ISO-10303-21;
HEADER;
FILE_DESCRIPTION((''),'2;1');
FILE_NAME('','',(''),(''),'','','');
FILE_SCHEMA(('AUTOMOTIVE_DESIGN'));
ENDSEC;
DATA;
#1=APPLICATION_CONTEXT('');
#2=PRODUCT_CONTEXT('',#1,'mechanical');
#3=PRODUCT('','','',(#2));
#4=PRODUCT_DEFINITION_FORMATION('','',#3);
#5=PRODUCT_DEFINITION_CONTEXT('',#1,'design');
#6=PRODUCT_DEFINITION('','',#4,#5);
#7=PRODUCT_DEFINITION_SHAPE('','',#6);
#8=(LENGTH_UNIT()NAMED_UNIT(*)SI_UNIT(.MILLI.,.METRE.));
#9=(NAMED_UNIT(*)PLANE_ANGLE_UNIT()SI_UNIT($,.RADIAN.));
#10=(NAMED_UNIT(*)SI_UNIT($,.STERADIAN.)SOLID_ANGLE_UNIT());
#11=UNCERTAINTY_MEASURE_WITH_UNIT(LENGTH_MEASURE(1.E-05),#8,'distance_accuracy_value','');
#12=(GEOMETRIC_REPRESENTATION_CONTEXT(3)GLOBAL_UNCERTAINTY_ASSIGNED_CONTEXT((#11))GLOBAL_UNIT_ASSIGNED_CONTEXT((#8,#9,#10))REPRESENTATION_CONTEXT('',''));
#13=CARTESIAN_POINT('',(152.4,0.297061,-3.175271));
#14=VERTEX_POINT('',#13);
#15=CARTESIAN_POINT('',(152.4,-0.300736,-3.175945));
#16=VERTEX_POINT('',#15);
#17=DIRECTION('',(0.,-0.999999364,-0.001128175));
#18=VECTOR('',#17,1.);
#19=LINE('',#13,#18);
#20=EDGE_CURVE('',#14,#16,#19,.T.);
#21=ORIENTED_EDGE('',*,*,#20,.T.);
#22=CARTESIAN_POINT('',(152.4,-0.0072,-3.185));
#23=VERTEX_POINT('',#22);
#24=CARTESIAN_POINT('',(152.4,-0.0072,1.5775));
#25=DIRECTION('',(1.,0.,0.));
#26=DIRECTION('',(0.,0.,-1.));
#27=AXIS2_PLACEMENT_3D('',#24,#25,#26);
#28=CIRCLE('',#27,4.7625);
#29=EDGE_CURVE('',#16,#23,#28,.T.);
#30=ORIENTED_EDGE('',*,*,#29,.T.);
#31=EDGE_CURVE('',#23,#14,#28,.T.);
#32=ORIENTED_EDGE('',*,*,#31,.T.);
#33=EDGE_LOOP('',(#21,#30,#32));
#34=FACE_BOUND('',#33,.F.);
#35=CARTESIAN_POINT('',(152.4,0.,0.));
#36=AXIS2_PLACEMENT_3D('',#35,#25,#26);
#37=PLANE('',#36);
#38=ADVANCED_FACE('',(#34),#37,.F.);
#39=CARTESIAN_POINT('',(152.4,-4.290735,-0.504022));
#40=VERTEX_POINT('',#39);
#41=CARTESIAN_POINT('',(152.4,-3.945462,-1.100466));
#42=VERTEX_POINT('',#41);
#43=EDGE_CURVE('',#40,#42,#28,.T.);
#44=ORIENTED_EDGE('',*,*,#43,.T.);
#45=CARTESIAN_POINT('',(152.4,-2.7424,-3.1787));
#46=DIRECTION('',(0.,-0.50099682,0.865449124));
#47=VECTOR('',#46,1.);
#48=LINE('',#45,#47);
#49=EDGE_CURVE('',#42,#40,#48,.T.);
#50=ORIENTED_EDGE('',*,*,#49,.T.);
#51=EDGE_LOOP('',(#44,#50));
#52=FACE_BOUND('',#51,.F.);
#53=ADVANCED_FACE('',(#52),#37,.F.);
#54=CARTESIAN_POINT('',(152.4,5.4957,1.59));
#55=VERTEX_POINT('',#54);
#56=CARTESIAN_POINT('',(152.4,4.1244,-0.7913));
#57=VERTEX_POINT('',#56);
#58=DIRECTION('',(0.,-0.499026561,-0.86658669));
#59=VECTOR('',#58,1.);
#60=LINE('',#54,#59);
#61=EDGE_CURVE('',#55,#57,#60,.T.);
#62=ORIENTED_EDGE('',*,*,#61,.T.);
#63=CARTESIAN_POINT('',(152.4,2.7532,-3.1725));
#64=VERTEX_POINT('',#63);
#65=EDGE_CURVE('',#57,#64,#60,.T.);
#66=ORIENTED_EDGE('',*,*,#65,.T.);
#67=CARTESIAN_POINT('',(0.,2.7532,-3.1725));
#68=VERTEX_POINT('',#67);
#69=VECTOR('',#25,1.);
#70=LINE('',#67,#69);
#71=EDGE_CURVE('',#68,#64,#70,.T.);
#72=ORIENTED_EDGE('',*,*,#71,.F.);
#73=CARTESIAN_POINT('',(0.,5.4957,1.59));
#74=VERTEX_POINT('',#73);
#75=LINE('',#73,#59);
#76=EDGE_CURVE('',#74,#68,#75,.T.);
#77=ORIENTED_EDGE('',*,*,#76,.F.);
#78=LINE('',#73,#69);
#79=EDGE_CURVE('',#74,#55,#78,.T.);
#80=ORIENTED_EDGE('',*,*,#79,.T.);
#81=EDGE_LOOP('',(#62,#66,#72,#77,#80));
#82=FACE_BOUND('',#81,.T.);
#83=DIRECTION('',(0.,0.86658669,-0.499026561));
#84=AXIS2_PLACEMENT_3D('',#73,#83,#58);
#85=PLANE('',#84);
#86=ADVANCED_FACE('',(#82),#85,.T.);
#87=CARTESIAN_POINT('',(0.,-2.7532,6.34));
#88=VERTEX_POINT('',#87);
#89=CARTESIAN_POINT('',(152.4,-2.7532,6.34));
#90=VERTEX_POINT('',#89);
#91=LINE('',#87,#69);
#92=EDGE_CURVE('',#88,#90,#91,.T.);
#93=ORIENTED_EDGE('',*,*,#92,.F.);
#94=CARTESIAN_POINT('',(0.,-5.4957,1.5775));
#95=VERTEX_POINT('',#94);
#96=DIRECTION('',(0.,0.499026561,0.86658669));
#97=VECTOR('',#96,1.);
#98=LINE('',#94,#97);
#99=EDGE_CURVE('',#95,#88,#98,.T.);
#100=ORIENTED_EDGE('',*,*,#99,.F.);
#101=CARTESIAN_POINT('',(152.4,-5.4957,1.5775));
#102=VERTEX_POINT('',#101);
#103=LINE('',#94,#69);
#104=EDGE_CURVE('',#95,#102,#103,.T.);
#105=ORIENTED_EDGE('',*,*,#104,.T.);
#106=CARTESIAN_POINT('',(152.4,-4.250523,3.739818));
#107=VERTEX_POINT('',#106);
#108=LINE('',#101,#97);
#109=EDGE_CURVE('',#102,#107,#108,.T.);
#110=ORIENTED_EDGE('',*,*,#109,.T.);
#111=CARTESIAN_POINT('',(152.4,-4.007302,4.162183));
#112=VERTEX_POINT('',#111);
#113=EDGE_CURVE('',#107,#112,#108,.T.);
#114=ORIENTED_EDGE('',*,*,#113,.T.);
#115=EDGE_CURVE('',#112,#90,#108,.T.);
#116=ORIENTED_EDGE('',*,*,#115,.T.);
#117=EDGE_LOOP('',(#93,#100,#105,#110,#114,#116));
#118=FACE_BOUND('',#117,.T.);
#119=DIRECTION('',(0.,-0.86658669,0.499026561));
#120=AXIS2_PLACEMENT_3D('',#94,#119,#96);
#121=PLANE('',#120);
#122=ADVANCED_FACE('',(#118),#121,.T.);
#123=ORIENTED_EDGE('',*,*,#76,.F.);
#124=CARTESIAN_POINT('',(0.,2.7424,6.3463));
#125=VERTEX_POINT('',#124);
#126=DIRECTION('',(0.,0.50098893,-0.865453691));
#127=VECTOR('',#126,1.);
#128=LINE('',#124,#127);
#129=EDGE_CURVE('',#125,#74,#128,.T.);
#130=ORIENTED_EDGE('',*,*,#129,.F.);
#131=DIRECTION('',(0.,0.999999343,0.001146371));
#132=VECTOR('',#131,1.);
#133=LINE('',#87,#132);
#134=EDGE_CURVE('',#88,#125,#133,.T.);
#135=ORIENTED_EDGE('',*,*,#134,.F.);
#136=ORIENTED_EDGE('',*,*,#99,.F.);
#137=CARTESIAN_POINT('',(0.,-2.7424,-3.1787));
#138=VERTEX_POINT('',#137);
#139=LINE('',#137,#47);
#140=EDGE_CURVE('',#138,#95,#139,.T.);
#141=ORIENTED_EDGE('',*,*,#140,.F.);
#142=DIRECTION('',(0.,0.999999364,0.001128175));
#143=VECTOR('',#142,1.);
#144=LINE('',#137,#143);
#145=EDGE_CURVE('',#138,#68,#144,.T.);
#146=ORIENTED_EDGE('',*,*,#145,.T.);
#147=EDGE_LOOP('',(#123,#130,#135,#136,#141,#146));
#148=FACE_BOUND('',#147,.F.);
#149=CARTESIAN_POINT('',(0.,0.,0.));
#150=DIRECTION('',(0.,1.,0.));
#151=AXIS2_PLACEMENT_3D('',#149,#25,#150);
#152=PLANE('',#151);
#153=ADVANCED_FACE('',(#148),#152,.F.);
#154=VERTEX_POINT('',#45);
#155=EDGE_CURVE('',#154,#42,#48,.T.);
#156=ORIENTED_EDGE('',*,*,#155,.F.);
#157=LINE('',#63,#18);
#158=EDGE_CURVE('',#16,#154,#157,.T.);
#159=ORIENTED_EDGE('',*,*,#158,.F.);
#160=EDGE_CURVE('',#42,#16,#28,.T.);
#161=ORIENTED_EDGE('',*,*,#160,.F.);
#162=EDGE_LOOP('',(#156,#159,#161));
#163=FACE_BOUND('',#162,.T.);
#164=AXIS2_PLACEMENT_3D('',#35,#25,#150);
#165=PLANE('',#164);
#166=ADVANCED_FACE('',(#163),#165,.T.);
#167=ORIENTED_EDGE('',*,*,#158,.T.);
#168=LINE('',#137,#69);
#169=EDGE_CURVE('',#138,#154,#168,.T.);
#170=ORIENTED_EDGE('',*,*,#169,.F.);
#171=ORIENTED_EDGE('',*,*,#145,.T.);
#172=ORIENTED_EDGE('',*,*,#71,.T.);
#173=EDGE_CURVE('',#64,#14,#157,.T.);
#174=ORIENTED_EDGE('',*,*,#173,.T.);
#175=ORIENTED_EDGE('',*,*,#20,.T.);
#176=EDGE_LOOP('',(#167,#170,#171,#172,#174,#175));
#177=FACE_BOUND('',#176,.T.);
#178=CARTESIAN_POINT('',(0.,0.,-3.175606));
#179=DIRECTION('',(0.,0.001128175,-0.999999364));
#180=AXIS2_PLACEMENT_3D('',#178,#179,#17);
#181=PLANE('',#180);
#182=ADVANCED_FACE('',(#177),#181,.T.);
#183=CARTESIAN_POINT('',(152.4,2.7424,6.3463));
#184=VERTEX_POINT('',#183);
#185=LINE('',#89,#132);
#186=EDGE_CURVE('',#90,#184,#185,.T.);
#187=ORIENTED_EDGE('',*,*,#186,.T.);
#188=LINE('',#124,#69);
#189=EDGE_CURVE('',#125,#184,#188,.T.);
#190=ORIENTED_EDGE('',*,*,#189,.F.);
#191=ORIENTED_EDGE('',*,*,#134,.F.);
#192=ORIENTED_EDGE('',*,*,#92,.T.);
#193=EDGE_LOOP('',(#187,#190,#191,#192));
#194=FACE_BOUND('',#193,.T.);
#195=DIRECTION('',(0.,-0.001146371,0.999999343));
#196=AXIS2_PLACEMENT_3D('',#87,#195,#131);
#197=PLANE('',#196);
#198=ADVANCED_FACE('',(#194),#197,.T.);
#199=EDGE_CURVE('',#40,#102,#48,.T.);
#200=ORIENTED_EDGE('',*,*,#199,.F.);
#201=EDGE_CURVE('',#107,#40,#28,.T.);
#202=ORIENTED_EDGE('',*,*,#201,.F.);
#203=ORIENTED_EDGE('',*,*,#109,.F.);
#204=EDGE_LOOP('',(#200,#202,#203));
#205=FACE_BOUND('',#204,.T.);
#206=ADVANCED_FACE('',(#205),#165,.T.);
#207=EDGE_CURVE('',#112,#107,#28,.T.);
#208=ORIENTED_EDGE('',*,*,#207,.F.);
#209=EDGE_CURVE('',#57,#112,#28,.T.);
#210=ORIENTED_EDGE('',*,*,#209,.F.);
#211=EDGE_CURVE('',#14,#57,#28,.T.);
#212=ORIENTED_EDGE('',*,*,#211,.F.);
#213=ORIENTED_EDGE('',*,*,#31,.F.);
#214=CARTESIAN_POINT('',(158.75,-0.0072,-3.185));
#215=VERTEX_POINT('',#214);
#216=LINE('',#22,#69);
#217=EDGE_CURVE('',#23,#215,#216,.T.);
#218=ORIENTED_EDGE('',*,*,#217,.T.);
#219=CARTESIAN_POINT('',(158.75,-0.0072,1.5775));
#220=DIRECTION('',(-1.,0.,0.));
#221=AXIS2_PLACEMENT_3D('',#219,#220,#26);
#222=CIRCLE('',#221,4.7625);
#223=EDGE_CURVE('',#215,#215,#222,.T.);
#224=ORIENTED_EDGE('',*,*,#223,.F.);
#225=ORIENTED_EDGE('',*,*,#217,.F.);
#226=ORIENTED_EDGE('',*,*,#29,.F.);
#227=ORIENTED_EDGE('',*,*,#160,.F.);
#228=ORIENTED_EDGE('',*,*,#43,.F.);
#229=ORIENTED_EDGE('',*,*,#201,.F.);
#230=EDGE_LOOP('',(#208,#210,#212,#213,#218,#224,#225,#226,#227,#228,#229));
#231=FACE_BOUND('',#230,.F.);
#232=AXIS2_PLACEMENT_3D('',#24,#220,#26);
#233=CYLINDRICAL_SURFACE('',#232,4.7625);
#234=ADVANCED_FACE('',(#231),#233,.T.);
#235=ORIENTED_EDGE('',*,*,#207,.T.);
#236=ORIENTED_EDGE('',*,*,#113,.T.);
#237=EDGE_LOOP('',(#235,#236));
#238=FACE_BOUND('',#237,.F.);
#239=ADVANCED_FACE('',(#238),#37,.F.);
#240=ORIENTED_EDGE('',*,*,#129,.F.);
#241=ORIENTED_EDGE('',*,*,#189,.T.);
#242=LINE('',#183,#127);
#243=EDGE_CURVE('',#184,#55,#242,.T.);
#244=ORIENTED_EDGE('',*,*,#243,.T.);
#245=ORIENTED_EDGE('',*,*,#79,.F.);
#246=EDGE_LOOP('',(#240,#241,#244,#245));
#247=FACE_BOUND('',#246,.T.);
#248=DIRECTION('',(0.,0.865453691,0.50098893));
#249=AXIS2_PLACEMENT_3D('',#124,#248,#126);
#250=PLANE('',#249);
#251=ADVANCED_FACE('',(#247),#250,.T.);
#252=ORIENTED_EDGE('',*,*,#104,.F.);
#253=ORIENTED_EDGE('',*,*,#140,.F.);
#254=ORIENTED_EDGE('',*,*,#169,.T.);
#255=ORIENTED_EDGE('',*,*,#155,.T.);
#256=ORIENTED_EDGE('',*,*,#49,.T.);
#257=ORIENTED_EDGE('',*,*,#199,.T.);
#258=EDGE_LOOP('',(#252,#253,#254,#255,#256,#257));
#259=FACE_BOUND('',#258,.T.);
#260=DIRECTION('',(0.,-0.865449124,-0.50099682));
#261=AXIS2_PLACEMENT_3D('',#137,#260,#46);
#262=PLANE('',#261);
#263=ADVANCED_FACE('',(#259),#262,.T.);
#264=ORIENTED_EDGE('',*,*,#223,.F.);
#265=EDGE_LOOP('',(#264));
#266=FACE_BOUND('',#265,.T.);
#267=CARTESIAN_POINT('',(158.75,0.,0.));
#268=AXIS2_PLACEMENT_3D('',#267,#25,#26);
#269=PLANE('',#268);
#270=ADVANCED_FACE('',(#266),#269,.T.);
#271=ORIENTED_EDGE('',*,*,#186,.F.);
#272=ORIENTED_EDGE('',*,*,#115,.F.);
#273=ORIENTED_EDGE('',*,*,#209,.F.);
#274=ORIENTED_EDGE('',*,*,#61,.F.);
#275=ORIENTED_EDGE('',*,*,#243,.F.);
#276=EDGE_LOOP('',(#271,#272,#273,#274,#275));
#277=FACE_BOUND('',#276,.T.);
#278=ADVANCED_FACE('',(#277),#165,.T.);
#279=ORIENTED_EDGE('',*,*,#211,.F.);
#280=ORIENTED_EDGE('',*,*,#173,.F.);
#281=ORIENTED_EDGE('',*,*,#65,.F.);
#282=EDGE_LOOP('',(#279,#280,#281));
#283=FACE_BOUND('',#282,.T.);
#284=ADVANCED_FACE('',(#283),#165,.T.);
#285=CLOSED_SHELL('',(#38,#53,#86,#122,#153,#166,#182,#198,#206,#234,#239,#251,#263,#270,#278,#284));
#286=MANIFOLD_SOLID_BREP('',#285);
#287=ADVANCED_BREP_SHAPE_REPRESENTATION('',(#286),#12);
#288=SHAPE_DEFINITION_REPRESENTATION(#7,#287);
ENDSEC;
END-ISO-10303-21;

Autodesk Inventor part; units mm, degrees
ref_plane "YZ Plane" through (0, 0, 0) normal (1, 0, 0) x (0, 1, 0)
ref_plane "XZ Plane" through (0, 0, 0) normal (0, 1, 0) x (-1, 0, 0)
ref_plane "XY Plane" through (0, 0, 0) normal (0, 0, 1) x (1, 0, 0)
sketch "Sketch1" plane through (0, 0, 0) normal (1, 0, 0) x (0, 1, 0)
  line L0 (0, 1.5838) -> (0, -3.1787)
  line L1 (-2.7424, -3.1787) -> (-5.4957, 1.5775)
  line L2 (-5.4957, 1.5775) -> (-2.7532, 6.34)
  line L3 (-2.7532, 6.34) -> (2.7424, 6.3463)
  line L4 (2.7424, 6.3463) -> (5.4957, 1.59)
  line L5 (5.4957, 1.59) -> (2.7532, -3.1725)
  line L6 (2.7532, -3.1725) -> (-2.7424, -3.1787)
  point P0 (0, 0)
  dimension "d0" = 4.7625
extrude "Extrusion1" add sketch "Sketch1" along normal blind 152.4
sketch "Sketch2" plane through (152.4, 0, 0) normal (1, 0, 0) x (0, 0, -1)
  line L0 (3.1725, 2.7532) -> (-1.59, 5.4957) projected
  line L1 (0.7913, 4.1244) -> (-1.5775, -0.0072)
  circle A0 centre (-1.5775, -0.0072) radius 4.7625
  point P0 (0, 0)
  dimension "d3" = 4.7625
extrude "Extrusion2" add sketch "Sketch2" along normal blind 6.35
properties part number "Hex Shaft"
